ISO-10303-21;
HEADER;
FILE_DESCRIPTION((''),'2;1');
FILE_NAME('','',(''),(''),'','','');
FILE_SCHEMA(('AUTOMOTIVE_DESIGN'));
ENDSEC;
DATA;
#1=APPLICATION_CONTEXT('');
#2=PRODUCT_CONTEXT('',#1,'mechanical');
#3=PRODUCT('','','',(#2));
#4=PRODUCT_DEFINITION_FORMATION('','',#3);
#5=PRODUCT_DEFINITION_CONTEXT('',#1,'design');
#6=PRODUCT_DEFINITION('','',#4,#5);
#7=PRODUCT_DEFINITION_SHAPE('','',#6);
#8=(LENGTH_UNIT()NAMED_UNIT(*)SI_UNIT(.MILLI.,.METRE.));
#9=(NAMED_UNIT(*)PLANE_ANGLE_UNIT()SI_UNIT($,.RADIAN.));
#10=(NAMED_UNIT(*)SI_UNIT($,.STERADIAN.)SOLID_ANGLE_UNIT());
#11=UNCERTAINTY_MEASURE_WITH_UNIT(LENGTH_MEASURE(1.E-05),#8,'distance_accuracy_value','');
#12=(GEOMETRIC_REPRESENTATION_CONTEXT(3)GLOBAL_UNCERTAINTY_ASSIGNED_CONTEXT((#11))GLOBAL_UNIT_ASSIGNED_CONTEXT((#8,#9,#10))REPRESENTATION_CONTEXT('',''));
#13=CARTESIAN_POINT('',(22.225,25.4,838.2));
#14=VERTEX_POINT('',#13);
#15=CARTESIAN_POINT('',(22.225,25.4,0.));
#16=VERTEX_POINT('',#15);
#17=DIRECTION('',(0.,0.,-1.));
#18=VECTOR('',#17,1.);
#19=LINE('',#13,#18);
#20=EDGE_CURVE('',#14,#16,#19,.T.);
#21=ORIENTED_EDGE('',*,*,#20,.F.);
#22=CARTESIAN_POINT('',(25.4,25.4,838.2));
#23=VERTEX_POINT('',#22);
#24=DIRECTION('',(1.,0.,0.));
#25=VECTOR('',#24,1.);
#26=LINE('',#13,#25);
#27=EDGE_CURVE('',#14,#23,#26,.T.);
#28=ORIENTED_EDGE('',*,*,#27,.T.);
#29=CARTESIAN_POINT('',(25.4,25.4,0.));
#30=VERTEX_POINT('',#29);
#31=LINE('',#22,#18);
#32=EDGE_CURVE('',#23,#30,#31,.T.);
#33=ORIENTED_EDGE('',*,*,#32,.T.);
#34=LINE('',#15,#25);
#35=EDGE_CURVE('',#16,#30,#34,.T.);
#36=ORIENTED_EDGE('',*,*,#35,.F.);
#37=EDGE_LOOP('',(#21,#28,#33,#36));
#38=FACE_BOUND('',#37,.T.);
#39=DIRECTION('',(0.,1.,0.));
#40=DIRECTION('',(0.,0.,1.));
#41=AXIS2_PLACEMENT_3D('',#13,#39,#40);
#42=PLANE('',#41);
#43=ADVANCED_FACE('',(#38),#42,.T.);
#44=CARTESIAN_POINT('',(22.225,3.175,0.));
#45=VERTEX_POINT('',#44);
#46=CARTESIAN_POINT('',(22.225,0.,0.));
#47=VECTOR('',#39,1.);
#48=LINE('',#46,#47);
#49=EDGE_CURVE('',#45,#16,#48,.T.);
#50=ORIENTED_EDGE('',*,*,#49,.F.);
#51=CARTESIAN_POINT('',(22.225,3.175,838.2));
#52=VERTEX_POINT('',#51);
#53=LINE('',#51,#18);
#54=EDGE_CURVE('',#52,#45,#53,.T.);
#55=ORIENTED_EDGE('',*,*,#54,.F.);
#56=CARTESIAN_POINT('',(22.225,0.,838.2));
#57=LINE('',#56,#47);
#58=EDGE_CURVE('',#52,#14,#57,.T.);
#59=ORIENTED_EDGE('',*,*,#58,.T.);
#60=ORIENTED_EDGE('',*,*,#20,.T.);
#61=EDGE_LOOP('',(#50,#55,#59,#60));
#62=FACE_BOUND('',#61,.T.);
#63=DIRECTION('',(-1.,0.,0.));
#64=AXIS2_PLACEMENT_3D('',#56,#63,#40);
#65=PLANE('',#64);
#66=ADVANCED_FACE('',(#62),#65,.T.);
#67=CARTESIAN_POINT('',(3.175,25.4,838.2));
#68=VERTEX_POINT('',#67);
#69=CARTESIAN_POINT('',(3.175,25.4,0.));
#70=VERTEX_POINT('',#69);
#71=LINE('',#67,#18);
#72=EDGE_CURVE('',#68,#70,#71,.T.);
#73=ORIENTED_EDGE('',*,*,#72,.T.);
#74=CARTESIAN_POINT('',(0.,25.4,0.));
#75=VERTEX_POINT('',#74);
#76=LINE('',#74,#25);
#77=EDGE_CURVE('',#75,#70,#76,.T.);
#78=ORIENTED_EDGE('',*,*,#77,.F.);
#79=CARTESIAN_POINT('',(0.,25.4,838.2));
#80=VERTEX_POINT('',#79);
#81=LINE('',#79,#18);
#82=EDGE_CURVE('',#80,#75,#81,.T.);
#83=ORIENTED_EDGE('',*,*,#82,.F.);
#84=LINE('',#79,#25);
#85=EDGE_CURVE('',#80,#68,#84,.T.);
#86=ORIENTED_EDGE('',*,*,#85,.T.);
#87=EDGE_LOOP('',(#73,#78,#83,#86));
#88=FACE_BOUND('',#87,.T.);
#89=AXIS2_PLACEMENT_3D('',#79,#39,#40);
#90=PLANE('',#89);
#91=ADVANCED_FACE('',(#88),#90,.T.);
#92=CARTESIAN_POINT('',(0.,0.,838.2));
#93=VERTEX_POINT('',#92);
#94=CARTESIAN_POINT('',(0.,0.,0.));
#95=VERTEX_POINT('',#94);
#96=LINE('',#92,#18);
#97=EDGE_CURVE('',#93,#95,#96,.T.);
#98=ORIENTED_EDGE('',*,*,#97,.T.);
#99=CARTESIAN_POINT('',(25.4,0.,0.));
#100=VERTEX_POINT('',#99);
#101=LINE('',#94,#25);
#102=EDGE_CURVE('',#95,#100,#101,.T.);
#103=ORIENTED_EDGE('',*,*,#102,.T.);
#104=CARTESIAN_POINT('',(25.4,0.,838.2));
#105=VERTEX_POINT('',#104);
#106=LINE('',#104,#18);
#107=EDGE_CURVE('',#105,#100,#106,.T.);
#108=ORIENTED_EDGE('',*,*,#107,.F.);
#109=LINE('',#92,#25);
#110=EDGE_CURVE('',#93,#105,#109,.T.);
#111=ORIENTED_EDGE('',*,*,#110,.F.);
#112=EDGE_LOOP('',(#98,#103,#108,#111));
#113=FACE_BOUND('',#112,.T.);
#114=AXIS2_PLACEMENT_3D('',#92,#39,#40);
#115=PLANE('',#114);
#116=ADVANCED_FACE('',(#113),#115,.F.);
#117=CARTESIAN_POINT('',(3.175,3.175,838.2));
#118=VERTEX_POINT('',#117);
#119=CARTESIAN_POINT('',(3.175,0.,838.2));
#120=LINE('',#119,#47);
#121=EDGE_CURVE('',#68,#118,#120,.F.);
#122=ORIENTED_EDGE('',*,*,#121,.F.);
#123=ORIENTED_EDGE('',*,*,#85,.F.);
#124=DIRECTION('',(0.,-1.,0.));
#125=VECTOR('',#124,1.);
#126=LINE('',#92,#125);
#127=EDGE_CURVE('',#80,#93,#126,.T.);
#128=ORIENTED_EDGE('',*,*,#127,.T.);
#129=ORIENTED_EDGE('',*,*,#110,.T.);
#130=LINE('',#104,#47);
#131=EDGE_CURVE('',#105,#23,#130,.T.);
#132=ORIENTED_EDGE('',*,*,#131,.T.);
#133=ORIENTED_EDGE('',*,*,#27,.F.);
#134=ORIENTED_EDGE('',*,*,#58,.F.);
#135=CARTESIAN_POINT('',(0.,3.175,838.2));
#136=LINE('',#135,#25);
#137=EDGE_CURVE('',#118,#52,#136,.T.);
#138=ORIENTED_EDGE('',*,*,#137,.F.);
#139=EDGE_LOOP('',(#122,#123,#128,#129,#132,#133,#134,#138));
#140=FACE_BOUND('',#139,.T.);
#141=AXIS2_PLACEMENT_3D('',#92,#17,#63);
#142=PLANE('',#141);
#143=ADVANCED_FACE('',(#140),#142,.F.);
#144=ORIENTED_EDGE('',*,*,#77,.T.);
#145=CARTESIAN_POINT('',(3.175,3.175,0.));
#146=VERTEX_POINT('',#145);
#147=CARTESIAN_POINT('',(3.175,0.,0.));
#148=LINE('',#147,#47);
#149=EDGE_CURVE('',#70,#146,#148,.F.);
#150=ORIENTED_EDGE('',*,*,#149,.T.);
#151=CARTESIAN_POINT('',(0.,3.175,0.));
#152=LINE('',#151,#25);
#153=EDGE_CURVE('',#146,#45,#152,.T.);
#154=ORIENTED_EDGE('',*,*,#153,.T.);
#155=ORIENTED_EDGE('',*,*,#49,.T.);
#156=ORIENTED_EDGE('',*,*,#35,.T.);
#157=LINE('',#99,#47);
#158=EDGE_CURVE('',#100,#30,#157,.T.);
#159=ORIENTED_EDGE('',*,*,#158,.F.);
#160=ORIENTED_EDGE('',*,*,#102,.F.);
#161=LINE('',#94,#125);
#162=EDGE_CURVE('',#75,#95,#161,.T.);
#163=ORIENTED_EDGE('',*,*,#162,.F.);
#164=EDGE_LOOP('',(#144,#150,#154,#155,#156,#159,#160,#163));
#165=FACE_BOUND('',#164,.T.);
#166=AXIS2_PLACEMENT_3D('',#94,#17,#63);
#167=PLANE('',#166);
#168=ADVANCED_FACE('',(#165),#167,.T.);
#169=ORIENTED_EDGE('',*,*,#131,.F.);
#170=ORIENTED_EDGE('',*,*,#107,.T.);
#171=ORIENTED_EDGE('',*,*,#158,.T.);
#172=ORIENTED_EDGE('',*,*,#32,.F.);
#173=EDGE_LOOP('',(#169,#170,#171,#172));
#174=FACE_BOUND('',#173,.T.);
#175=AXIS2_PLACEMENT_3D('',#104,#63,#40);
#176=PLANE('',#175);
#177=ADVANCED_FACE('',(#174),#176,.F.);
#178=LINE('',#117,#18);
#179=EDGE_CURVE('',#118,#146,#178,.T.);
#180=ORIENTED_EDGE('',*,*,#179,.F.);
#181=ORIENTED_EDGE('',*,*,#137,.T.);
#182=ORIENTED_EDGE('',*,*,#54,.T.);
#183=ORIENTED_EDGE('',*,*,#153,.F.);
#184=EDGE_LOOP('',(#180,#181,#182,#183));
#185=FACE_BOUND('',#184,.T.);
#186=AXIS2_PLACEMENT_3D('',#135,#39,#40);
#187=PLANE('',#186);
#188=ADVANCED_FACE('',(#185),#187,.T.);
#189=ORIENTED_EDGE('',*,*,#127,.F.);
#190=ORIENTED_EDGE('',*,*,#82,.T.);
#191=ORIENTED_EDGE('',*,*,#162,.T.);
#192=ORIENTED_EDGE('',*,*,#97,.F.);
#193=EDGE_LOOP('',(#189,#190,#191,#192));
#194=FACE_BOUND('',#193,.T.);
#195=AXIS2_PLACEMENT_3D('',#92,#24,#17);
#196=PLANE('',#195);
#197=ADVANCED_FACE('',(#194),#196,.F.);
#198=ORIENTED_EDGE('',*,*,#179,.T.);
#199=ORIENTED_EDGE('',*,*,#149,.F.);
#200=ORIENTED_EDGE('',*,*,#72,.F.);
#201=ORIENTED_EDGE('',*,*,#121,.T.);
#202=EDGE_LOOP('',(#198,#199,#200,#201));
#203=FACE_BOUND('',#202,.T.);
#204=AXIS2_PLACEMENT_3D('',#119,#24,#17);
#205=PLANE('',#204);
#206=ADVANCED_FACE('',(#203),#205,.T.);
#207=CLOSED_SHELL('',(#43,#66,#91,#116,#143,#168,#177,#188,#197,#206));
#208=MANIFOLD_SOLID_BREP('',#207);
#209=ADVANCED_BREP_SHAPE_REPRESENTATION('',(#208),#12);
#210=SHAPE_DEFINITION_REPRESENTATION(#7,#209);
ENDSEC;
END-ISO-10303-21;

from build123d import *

# Parameters (mm, degrees)
EXTRUDE_THIN1_DEPTH = 838.2


with BuildPart() as part:
    # Sketch1 → Extrude-Thin1 (new body)
    with BuildSketch(Plane.XY):
        Polygon((25.4, 25.4), (25.4, 0), (0, 0), (0, 25.4), (3.175, 25.4), (3.175, 3.175), (22.225, 3.175), (22.225, 25.4), align=None)
    extrude(amount=EXTRUDE_THIN1_DEPTH)


solid = part.part
